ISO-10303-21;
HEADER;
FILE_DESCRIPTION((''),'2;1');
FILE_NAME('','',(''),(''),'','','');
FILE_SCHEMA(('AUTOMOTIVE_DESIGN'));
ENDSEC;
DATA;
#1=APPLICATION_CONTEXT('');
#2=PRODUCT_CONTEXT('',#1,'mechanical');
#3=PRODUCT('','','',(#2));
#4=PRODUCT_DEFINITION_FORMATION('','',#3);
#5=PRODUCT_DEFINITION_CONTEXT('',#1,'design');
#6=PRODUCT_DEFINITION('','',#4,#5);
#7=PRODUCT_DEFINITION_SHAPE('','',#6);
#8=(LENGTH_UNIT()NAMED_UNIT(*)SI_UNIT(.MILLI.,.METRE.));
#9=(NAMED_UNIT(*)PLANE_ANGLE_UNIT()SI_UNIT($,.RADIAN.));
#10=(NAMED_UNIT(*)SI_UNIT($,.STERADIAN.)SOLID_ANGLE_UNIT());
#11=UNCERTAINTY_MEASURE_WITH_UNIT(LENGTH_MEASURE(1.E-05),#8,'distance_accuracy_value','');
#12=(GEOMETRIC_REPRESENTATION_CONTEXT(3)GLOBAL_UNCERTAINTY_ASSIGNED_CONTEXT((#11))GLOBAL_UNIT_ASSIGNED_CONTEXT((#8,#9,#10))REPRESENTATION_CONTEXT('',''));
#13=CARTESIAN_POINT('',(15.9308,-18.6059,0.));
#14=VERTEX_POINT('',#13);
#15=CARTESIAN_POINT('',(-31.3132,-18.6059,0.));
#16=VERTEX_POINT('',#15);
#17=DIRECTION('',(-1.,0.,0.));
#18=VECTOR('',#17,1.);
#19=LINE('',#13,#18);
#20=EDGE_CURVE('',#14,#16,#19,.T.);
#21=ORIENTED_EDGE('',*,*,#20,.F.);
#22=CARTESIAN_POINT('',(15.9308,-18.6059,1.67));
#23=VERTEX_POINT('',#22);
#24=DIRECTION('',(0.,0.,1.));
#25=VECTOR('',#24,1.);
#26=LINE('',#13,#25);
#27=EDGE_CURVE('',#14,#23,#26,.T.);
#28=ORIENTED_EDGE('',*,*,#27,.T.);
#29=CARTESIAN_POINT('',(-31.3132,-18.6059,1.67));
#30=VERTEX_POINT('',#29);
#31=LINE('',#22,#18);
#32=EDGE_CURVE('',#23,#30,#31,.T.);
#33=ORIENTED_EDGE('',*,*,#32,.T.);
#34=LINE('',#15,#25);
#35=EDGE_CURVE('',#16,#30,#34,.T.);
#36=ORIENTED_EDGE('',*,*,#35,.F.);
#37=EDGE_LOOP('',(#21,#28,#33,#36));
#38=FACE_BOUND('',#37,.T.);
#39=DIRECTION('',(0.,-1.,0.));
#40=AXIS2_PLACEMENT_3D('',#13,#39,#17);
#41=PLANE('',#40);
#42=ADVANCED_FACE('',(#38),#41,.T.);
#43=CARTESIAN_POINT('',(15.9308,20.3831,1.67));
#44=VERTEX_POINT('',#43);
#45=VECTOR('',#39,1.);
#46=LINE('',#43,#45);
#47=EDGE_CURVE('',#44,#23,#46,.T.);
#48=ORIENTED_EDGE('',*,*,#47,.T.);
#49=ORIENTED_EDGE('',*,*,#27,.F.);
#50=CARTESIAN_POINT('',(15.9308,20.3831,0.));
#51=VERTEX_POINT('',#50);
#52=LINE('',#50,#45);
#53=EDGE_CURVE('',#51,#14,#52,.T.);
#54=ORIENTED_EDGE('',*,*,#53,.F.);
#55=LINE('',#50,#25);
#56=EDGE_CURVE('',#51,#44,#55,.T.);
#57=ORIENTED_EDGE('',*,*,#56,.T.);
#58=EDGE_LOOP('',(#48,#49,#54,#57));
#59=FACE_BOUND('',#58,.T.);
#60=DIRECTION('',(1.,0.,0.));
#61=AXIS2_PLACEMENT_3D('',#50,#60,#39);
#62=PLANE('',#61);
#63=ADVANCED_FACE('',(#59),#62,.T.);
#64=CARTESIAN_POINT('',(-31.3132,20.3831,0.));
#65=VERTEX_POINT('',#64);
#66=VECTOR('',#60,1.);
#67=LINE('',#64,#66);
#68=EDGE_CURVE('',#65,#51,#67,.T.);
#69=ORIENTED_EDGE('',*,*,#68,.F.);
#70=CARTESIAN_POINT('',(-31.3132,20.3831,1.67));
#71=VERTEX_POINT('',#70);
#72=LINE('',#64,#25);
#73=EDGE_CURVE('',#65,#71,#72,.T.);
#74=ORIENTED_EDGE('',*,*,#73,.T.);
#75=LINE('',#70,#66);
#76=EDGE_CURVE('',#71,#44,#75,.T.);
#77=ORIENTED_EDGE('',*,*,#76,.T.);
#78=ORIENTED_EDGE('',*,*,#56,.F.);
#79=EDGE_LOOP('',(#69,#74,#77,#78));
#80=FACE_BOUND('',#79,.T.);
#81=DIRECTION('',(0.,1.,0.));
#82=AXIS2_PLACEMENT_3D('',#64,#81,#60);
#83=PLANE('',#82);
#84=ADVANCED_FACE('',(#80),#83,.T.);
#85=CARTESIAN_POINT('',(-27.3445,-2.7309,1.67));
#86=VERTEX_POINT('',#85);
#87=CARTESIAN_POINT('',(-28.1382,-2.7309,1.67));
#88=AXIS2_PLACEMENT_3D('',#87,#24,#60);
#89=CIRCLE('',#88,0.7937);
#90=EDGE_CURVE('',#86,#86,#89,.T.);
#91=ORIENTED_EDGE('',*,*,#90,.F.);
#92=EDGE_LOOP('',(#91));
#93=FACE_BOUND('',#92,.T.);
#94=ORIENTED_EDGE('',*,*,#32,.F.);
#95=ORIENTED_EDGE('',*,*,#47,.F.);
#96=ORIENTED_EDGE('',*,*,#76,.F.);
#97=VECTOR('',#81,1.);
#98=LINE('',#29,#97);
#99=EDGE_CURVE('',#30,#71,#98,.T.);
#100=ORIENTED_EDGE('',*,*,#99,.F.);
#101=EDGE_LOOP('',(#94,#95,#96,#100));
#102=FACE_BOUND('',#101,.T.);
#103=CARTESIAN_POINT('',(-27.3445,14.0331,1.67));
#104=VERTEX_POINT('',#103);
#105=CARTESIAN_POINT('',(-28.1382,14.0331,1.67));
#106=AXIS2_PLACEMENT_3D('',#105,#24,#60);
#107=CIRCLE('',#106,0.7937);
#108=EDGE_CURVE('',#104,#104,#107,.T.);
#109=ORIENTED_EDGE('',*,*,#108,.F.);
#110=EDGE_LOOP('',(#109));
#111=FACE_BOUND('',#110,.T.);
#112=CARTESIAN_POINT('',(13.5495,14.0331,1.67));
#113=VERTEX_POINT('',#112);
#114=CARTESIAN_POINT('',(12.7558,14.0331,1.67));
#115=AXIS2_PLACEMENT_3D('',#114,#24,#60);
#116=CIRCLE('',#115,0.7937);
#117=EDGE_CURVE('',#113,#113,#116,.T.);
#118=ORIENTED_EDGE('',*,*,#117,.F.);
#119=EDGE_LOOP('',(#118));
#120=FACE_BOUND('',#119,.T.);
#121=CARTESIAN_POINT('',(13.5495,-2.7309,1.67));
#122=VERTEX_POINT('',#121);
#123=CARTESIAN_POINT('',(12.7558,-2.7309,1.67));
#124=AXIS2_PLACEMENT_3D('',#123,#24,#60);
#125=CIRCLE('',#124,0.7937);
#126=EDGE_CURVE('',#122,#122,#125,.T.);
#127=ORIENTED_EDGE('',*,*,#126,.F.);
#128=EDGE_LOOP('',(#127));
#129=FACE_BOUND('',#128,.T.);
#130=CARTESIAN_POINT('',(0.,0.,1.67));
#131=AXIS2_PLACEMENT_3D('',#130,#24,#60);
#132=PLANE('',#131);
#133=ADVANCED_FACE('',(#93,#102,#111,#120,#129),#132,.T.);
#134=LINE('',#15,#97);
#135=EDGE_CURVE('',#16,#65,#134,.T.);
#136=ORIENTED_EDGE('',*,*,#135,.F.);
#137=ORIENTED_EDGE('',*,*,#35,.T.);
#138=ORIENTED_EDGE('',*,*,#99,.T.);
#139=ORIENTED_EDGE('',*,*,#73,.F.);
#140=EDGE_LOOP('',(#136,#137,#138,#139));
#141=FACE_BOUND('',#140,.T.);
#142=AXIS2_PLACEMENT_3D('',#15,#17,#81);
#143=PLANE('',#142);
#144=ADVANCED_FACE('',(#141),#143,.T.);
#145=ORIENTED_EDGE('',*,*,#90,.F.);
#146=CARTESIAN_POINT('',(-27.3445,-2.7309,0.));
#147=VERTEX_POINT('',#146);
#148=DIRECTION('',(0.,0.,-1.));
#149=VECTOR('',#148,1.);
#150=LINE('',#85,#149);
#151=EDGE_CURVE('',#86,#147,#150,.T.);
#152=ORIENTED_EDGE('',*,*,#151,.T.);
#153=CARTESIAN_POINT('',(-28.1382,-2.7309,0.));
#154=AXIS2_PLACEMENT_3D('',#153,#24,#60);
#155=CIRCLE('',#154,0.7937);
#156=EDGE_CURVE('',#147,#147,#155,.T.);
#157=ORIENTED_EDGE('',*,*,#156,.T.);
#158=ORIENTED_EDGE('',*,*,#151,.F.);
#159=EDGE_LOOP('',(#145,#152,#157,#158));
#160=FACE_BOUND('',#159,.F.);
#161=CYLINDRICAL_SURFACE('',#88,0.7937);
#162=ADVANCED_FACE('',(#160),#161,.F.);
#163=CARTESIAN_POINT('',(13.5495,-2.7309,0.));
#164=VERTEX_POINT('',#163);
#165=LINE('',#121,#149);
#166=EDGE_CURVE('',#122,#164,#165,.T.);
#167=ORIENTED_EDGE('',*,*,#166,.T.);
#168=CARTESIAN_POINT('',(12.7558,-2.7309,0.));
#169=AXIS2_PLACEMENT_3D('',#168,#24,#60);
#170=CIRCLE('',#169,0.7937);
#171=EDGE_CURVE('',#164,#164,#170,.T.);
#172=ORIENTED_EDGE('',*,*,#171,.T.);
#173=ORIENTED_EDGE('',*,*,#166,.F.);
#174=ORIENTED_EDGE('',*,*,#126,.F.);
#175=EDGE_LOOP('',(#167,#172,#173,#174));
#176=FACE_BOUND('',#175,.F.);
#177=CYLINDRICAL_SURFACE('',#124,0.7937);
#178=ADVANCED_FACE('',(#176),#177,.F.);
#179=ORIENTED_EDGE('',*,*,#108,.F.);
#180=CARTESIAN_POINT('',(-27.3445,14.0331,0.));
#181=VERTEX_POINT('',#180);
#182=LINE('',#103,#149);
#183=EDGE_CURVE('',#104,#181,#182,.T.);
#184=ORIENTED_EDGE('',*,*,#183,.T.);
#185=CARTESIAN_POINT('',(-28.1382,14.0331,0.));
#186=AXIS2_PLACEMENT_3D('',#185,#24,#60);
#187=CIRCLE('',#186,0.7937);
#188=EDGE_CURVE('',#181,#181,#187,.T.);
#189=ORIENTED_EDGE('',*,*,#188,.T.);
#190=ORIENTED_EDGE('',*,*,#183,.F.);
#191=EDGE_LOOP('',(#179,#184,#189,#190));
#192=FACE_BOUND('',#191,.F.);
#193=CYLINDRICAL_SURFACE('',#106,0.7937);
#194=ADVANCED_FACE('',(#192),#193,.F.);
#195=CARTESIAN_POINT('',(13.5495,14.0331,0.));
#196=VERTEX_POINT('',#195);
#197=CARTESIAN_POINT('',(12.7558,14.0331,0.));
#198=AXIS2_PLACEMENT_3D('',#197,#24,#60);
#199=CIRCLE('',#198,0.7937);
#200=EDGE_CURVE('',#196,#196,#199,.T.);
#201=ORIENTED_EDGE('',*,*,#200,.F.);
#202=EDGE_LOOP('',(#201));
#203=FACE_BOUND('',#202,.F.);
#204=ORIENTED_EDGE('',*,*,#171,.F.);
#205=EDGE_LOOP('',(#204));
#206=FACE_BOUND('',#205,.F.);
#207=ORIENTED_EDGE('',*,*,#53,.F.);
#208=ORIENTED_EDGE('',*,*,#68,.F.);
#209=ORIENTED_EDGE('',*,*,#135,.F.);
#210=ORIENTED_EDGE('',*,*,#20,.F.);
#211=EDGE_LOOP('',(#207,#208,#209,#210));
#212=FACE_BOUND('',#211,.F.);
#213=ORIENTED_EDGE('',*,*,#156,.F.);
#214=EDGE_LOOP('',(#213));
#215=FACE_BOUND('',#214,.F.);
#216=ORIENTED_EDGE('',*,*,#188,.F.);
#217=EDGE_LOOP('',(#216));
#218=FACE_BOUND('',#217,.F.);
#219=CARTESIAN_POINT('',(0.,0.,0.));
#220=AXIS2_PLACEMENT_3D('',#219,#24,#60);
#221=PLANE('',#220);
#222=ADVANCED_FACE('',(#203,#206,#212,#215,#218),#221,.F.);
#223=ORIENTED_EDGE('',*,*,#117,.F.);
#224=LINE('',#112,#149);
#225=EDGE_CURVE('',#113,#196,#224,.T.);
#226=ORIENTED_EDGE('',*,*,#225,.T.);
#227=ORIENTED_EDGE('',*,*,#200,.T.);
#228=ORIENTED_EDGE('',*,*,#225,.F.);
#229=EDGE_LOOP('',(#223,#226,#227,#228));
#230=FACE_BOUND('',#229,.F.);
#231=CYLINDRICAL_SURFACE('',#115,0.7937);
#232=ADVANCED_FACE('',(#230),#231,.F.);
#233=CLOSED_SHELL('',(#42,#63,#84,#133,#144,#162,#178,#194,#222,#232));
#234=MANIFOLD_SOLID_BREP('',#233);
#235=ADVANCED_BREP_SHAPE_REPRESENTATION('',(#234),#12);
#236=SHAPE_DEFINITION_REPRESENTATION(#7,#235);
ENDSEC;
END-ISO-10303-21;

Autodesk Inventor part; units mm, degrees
ref_plane "YZ Plane" through (0, 0, 0) normal (1, 0, 0) x (0, 1, 0)
ref_plane "XZ Plane" through (0, 0, 0) normal (0, 1, 0) x (-1, 0, 0)
ref_plane "XY Plane" through (0, 0, 0) normal (0, 0, 1) x (1, 0, 0)
sketch "Sketch1" plane through (0, 0, 0) normal (0, 0, 1) x (1, 0, 0)
  line L0 (15.9308, -18.6059) -> (-31.3132, -18.6059)
  line L1 (-31.3132, -18.6059) -> (-31.3132, 20.3831)
  line L2 (-31.3132, 20.3831) -> (15.9308, 20.3831)
  line L3 (15.9308, 20.3831) -> (15.9308, -18.6059)
  point P0 (0, 0)
  dimension "d0" = 38.989
  dimension "d1" = 47.244
extrude "Extrusion1" add sketch "Sketch1" along normal blind 1.67
sketch "Sketch2" plane through (0, 0, 1.67) normal (0, 0, 1) x (1, 0, 0)
  line L0 (-31.3132, -18.6059) -> (15.9308, -18.6059) projected
  line L1 (15.9308, -18.6059) -> (15.9308, 20.3831) projected
  line L2 (15.9308, 20.3831) -> (-31.3132, 20.3831) projected
  line L3 (-31.3132, 20.3831) -> (-31.3132, -18.6059) projected
  circle A0 centre (-28.1382, 14.0331) radius 0.7937
  circle A1 centre (12.7558, 14.0331) radius 0.7937
  circle A2 centre (12.7558, -2.7309) radius 0.7937
  circle A3 centre (-28.1382, -2.7309) radius 0.7937
  point P0 (0, 0)
  dimension "d4" = 1.5875
  dimension "d5" = 1.5875
  dimension "d6" = 1.5875
  dimension "d7" = 1.5875
  dimension "d8" = 3.175
  dimension "d9" = 3.175
  dimension "d10" = 3.175
  dimension "d11" = 3.175
  dimension "d12" = 15.875
  dimension "d13" = 15.875
  dimension "d14" = 6.35
  dimension "d15" = 6.35
extrude "Extrusion2" cut sketch "Sketch2" against normal up to next contours A0 | A1 | A2 | A3
properties part number "CombinerBoard"
